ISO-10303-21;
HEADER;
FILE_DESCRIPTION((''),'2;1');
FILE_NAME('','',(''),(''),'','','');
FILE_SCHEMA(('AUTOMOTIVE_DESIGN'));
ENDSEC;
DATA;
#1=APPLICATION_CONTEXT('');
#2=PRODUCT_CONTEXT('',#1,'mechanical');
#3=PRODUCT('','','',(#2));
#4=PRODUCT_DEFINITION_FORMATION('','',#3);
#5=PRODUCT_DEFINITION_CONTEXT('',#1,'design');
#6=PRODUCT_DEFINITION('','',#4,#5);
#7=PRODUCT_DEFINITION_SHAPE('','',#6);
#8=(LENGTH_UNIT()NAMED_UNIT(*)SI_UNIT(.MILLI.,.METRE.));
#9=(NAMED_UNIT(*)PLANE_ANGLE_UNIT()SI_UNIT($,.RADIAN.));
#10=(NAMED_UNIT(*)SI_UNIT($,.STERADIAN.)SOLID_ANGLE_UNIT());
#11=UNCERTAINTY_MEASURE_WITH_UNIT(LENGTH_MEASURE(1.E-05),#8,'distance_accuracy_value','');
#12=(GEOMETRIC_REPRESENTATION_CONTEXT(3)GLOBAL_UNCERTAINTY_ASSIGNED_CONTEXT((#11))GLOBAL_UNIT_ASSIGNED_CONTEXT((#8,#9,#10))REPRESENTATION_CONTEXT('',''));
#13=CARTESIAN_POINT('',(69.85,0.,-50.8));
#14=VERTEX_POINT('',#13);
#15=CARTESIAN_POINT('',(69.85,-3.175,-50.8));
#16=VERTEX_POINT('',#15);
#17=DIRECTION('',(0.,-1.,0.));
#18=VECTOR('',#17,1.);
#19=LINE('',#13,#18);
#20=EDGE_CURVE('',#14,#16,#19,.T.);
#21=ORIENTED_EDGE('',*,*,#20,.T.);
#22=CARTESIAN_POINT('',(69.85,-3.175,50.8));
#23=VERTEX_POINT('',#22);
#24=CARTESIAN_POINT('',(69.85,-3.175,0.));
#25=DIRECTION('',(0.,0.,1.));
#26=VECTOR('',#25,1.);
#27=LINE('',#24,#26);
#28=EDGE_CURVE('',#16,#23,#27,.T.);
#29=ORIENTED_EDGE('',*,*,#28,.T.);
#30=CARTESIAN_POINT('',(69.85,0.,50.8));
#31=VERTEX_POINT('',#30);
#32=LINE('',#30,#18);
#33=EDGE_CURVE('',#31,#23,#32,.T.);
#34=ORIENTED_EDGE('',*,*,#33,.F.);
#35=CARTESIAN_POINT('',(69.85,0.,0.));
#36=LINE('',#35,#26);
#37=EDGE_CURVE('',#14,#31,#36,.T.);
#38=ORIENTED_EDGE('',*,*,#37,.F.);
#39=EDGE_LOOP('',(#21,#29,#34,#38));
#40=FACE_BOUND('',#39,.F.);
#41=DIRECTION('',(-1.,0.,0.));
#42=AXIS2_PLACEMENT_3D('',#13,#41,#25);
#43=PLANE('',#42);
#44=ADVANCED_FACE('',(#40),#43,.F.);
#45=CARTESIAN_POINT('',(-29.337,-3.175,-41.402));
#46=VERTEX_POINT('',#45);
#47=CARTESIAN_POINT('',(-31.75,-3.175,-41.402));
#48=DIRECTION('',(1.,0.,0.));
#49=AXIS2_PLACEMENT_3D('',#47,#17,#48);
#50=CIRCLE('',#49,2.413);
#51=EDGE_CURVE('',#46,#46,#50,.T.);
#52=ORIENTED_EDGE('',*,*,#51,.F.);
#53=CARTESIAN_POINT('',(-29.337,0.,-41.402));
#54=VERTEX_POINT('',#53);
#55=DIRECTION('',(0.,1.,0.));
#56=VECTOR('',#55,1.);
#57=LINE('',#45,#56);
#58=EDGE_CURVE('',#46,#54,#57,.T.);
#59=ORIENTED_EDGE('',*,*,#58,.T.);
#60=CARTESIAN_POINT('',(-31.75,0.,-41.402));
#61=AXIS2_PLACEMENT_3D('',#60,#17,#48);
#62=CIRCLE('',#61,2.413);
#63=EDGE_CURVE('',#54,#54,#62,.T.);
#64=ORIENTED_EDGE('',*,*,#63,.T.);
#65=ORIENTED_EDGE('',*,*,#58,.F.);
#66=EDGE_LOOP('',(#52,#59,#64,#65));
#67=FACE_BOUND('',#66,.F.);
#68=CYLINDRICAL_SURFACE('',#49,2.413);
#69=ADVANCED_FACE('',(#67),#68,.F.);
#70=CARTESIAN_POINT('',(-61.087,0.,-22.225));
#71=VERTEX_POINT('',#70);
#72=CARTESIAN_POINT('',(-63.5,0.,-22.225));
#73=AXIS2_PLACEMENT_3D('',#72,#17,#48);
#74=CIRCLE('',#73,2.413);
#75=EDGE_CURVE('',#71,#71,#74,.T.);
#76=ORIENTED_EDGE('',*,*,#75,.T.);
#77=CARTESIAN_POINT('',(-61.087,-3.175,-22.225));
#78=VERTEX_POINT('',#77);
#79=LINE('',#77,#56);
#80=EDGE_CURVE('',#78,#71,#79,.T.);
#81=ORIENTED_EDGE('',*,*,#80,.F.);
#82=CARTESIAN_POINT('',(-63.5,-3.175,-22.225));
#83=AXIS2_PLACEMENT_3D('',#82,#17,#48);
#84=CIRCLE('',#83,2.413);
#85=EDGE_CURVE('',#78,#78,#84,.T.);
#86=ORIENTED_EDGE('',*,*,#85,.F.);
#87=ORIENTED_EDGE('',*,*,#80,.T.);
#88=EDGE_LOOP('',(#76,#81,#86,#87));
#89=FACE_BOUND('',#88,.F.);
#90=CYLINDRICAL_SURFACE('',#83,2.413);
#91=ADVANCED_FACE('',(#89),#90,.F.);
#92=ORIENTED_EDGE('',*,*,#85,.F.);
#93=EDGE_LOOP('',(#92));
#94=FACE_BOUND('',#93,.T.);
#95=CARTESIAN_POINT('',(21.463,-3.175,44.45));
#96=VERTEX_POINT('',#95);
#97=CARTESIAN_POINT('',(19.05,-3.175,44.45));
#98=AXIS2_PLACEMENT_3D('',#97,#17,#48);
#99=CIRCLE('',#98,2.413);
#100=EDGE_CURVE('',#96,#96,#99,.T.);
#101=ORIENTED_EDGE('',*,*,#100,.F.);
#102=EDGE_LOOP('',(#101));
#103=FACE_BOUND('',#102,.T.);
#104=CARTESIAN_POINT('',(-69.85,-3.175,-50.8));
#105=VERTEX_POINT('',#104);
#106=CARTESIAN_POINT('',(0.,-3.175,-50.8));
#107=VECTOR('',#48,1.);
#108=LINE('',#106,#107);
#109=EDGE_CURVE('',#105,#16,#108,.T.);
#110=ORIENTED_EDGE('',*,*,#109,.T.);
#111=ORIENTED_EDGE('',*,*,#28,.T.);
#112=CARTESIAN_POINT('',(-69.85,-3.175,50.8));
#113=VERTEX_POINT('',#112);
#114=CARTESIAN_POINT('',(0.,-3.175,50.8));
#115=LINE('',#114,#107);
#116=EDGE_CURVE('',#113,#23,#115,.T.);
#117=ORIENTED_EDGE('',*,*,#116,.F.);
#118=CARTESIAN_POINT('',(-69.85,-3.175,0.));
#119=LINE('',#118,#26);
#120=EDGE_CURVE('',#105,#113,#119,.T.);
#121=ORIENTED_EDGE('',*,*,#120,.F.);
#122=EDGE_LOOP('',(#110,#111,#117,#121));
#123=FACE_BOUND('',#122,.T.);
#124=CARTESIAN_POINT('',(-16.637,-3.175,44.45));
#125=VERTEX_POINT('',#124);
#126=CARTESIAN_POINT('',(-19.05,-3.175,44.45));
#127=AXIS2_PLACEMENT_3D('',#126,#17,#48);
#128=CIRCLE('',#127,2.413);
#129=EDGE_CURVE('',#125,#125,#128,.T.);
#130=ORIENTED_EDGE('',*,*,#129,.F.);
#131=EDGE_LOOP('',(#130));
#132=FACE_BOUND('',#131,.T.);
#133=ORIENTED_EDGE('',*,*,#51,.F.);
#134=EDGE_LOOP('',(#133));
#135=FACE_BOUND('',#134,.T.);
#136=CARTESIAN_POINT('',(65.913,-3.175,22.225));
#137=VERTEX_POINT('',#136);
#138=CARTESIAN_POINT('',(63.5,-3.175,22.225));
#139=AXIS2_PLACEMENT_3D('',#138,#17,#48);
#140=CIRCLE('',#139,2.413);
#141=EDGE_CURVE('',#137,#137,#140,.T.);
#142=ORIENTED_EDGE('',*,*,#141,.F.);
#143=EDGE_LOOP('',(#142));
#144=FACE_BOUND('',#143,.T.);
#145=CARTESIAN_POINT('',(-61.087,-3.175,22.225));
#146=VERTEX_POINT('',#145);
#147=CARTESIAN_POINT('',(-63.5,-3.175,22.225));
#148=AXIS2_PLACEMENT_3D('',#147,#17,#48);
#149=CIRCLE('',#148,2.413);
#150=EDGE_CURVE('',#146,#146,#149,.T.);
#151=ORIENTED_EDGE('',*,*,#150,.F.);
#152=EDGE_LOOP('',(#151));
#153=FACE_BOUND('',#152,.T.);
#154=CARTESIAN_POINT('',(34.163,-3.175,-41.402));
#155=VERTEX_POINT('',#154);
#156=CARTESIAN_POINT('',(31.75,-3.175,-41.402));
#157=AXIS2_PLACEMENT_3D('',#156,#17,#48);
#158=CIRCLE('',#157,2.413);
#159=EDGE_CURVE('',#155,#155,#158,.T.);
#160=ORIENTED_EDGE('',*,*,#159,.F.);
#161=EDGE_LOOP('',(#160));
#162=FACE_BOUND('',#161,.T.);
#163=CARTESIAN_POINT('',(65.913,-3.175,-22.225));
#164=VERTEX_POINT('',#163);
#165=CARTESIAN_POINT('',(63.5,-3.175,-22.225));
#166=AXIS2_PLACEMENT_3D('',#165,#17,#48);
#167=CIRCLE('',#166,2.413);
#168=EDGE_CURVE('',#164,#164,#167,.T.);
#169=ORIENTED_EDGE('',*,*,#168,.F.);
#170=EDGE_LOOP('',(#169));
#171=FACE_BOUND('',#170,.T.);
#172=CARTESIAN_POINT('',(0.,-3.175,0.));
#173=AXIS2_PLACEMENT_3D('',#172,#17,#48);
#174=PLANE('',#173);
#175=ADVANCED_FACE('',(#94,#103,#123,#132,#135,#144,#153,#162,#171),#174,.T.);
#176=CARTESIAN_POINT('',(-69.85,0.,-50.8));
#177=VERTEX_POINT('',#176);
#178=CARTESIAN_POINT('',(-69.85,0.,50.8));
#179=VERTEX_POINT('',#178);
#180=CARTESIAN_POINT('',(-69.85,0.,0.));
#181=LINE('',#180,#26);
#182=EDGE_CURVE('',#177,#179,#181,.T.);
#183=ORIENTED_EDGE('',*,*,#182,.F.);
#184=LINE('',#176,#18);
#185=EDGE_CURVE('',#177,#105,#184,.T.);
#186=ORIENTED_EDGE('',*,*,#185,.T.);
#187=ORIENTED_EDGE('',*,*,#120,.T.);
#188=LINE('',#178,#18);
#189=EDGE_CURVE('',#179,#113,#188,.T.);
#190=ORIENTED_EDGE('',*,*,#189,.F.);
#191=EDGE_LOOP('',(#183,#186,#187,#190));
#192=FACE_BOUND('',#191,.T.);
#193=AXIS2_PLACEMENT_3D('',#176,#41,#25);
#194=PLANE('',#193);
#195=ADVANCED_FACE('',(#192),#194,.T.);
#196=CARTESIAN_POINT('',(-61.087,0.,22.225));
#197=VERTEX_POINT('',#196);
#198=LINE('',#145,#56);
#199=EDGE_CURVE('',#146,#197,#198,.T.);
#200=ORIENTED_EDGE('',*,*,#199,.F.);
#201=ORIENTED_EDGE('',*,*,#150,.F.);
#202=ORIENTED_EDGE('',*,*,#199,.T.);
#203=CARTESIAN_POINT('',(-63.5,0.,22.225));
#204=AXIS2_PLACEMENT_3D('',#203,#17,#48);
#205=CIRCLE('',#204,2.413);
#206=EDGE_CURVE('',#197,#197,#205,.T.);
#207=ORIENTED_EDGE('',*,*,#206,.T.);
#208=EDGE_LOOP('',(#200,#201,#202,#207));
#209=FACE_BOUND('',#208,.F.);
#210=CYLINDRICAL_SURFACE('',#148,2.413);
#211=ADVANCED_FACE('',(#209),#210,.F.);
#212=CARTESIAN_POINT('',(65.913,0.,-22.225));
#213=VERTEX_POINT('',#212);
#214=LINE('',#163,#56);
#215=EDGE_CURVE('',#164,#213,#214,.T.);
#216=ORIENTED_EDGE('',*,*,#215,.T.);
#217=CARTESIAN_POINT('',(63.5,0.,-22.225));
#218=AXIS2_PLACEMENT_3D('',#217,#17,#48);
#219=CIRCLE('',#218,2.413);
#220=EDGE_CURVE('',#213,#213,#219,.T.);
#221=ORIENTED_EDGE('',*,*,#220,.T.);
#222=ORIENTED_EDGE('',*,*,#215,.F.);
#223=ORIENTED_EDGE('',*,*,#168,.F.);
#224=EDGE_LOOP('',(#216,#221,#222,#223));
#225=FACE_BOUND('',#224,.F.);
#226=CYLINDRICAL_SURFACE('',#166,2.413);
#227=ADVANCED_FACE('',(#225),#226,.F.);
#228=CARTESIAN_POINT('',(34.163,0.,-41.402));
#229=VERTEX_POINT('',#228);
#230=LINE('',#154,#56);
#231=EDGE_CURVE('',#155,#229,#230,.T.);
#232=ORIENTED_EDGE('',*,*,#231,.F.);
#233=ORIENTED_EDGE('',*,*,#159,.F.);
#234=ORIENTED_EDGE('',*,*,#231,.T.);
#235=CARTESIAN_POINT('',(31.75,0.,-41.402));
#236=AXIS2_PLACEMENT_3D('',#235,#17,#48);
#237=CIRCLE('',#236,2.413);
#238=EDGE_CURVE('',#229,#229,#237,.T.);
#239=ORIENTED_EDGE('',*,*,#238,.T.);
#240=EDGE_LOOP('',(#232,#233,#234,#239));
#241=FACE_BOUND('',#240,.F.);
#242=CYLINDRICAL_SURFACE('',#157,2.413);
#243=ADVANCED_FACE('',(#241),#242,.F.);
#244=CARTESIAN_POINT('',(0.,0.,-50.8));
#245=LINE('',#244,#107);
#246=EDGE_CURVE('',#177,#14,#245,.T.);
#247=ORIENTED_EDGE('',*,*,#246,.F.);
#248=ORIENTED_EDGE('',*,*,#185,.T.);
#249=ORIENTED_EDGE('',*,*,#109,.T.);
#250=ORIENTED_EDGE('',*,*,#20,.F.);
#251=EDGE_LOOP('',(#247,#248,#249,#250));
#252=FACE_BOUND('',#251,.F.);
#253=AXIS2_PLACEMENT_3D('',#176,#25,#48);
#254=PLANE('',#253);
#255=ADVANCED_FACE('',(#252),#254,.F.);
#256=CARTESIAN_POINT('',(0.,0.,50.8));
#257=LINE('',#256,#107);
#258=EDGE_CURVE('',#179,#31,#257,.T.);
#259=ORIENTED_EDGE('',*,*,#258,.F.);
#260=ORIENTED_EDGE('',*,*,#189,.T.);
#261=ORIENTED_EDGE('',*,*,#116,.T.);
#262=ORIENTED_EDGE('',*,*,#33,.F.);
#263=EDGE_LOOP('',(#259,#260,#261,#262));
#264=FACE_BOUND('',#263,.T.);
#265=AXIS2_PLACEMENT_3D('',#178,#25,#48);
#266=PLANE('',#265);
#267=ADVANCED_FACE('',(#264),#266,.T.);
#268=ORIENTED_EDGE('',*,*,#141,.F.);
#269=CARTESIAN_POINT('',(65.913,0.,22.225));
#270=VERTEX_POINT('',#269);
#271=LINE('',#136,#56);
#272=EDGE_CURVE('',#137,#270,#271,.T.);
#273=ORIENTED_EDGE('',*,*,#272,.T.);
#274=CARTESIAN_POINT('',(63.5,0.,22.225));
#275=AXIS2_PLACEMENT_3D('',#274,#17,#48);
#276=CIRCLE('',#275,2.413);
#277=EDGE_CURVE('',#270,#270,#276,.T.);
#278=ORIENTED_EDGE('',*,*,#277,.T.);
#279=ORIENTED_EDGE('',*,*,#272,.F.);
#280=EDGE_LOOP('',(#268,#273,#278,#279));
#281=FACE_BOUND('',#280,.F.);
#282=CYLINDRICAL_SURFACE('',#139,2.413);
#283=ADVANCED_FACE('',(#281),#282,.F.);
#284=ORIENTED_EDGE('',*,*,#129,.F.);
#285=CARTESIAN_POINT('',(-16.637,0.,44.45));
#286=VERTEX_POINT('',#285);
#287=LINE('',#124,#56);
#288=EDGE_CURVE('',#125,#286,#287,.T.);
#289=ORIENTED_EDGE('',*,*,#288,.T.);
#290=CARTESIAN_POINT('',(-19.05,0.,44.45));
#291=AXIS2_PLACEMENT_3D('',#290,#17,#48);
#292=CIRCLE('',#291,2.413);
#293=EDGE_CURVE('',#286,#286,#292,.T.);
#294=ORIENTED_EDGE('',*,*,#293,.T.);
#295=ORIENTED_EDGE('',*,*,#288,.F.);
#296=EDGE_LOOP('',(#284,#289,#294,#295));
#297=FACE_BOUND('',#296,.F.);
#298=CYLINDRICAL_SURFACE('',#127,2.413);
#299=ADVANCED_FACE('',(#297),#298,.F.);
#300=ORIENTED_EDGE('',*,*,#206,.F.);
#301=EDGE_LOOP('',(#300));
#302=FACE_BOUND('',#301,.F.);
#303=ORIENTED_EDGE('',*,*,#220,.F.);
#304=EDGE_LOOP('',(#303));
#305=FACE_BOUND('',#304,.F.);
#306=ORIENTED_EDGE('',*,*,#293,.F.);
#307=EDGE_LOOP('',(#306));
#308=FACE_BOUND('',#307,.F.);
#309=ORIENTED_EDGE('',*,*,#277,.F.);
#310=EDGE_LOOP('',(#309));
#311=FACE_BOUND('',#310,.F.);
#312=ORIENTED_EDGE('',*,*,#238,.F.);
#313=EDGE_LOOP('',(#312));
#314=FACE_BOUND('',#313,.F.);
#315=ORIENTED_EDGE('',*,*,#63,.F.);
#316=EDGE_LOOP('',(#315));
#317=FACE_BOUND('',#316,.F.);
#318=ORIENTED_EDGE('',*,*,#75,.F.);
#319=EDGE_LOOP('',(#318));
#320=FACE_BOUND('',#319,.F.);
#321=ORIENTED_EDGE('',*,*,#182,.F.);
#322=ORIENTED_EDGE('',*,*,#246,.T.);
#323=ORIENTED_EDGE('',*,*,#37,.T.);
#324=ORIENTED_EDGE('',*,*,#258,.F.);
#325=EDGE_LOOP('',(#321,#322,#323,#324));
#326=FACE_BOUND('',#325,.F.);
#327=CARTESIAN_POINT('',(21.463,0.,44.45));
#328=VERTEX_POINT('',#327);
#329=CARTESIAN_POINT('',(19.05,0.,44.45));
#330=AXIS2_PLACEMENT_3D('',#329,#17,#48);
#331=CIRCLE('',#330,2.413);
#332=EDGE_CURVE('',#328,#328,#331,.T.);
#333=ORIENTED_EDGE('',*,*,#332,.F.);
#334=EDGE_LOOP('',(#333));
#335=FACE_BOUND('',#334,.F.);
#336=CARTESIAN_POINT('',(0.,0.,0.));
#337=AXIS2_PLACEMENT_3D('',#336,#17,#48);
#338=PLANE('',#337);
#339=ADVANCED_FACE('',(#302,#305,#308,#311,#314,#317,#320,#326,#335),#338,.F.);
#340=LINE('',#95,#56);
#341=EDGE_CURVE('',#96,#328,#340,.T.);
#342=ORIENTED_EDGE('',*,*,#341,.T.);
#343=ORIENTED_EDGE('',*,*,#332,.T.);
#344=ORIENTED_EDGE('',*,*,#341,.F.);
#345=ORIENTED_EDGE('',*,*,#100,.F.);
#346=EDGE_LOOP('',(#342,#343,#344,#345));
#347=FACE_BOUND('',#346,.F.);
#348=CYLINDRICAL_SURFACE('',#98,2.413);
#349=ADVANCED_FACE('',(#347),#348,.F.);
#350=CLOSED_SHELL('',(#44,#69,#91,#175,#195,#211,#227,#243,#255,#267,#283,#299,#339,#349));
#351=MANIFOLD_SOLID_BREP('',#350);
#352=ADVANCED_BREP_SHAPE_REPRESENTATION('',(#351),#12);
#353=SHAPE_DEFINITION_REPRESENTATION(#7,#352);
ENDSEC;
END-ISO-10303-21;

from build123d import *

# Parameters (mm, degrees)
F0_W      = 139.7
F0_H      = 101.6
F1_DEPTH  = 3.175
F2_R      = 2.413
F3_DEPTH  = 3.176
F4_R      = 2.413
F5_DEPTH  = 3.176
F6_R      = 2.413
F7_DEPTH  = 3.176
F8_R      = 2.413
F9_DEPTH  = 3.176
F10_R     = 2.413
F11_DEPTH = 3.176
F12_R     = 2.413
F13_DEPTH = 3.176
F14_R     = 2.413
F15_DEPTH = 3.176
F16_R     = 2.413
F17_DEPTH = 3.176


with BuildPart() as f1:
    # F0 (on Front) → F1 (new body)
    with BuildSketch(Plane.XZ):
        Rectangle(F0_W, F0_H)
    extrude(amount=F1_DEPTH)

    # F2 (on face) → F3 (cut, through all)
    with BuildSketch(Plane.XZ.offset(3.175)):
        with Locations((-19.05, 44.45)):
            Circle(F2_R)
    extrude(amount=-F3_DEPTH, mode=Mode.SUBTRACT)

    # F4 (on face) → F5 (cut, through all)
    with BuildSketch(Plane.XZ.offset(3.175)):
        with Locations((19.05, 44.45)):
            Circle(F4_R)
    extrude(amount=-F5_DEPTH, mode=Mode.SUBTRACT)

    # F6 (on face) → F7 (cut, through all)
    with BuildSketch(Plane.XZ.offset(3.175)):
        with Locations((-31.75, -41.402)):
            Circle(F6_R)
    extrude(amount=-F7_DEPTH, mode=Mode.SUBTRACT)

    # F8 (on face) → F9 (cut, through all)
    with BuildSketch(Plane.XZ.offset(3.175)):
        with Locations((31.75, -41.402)):
            Circle(F8_R)
        with Locations((-31.75, -41.402)):
            Circle(F8_R)
    extrude(amount=-F9_DEPTH, mode=Mode.SUBTRACT)

    # F10 (on face) → F11 (cut, through all)
    with BuildSketch(Plane.XZ.offset(3.175)):
        with Locations((-63.5, 22.225)):
            Circle(F10_R)
    extrude(amount=-F11_DEPTH, mode=Mode.SUBTRACT)

    # F12 (on face) → F13 (cut, through all)
    with BuildSketch(Plane.XZ.offset(3.175)):
        with Locations((-63.5, -22.225)):
            Circle(F12_R)
    extrude(amount=-F13_DEPTH, mode=Mode.SUBTRACT)

    # F14 (on face) → F15 (cut, through all)
    with BuildSketch(Plane.XZ.offset(3.175)):
        with Locations((63.5, 22.225)):
            Circle(F14_R)
    extrude(amount=-F15_DEPTH, mode=Mode.SUBTRACT)

    # F16 (on face) → F17 (cut, through all)
    with BuildSketch(Plane.XZ.offset(3.175)):
        with Locations((63.5, -22.225)):
            Circle(F16_R)
        with Locations((63.5, 22.225)):
            Circle(F16_R)
    extrude(amount=-F17_DEPTH, mode=Mode.SUBTRACT)


solid = f1.part
